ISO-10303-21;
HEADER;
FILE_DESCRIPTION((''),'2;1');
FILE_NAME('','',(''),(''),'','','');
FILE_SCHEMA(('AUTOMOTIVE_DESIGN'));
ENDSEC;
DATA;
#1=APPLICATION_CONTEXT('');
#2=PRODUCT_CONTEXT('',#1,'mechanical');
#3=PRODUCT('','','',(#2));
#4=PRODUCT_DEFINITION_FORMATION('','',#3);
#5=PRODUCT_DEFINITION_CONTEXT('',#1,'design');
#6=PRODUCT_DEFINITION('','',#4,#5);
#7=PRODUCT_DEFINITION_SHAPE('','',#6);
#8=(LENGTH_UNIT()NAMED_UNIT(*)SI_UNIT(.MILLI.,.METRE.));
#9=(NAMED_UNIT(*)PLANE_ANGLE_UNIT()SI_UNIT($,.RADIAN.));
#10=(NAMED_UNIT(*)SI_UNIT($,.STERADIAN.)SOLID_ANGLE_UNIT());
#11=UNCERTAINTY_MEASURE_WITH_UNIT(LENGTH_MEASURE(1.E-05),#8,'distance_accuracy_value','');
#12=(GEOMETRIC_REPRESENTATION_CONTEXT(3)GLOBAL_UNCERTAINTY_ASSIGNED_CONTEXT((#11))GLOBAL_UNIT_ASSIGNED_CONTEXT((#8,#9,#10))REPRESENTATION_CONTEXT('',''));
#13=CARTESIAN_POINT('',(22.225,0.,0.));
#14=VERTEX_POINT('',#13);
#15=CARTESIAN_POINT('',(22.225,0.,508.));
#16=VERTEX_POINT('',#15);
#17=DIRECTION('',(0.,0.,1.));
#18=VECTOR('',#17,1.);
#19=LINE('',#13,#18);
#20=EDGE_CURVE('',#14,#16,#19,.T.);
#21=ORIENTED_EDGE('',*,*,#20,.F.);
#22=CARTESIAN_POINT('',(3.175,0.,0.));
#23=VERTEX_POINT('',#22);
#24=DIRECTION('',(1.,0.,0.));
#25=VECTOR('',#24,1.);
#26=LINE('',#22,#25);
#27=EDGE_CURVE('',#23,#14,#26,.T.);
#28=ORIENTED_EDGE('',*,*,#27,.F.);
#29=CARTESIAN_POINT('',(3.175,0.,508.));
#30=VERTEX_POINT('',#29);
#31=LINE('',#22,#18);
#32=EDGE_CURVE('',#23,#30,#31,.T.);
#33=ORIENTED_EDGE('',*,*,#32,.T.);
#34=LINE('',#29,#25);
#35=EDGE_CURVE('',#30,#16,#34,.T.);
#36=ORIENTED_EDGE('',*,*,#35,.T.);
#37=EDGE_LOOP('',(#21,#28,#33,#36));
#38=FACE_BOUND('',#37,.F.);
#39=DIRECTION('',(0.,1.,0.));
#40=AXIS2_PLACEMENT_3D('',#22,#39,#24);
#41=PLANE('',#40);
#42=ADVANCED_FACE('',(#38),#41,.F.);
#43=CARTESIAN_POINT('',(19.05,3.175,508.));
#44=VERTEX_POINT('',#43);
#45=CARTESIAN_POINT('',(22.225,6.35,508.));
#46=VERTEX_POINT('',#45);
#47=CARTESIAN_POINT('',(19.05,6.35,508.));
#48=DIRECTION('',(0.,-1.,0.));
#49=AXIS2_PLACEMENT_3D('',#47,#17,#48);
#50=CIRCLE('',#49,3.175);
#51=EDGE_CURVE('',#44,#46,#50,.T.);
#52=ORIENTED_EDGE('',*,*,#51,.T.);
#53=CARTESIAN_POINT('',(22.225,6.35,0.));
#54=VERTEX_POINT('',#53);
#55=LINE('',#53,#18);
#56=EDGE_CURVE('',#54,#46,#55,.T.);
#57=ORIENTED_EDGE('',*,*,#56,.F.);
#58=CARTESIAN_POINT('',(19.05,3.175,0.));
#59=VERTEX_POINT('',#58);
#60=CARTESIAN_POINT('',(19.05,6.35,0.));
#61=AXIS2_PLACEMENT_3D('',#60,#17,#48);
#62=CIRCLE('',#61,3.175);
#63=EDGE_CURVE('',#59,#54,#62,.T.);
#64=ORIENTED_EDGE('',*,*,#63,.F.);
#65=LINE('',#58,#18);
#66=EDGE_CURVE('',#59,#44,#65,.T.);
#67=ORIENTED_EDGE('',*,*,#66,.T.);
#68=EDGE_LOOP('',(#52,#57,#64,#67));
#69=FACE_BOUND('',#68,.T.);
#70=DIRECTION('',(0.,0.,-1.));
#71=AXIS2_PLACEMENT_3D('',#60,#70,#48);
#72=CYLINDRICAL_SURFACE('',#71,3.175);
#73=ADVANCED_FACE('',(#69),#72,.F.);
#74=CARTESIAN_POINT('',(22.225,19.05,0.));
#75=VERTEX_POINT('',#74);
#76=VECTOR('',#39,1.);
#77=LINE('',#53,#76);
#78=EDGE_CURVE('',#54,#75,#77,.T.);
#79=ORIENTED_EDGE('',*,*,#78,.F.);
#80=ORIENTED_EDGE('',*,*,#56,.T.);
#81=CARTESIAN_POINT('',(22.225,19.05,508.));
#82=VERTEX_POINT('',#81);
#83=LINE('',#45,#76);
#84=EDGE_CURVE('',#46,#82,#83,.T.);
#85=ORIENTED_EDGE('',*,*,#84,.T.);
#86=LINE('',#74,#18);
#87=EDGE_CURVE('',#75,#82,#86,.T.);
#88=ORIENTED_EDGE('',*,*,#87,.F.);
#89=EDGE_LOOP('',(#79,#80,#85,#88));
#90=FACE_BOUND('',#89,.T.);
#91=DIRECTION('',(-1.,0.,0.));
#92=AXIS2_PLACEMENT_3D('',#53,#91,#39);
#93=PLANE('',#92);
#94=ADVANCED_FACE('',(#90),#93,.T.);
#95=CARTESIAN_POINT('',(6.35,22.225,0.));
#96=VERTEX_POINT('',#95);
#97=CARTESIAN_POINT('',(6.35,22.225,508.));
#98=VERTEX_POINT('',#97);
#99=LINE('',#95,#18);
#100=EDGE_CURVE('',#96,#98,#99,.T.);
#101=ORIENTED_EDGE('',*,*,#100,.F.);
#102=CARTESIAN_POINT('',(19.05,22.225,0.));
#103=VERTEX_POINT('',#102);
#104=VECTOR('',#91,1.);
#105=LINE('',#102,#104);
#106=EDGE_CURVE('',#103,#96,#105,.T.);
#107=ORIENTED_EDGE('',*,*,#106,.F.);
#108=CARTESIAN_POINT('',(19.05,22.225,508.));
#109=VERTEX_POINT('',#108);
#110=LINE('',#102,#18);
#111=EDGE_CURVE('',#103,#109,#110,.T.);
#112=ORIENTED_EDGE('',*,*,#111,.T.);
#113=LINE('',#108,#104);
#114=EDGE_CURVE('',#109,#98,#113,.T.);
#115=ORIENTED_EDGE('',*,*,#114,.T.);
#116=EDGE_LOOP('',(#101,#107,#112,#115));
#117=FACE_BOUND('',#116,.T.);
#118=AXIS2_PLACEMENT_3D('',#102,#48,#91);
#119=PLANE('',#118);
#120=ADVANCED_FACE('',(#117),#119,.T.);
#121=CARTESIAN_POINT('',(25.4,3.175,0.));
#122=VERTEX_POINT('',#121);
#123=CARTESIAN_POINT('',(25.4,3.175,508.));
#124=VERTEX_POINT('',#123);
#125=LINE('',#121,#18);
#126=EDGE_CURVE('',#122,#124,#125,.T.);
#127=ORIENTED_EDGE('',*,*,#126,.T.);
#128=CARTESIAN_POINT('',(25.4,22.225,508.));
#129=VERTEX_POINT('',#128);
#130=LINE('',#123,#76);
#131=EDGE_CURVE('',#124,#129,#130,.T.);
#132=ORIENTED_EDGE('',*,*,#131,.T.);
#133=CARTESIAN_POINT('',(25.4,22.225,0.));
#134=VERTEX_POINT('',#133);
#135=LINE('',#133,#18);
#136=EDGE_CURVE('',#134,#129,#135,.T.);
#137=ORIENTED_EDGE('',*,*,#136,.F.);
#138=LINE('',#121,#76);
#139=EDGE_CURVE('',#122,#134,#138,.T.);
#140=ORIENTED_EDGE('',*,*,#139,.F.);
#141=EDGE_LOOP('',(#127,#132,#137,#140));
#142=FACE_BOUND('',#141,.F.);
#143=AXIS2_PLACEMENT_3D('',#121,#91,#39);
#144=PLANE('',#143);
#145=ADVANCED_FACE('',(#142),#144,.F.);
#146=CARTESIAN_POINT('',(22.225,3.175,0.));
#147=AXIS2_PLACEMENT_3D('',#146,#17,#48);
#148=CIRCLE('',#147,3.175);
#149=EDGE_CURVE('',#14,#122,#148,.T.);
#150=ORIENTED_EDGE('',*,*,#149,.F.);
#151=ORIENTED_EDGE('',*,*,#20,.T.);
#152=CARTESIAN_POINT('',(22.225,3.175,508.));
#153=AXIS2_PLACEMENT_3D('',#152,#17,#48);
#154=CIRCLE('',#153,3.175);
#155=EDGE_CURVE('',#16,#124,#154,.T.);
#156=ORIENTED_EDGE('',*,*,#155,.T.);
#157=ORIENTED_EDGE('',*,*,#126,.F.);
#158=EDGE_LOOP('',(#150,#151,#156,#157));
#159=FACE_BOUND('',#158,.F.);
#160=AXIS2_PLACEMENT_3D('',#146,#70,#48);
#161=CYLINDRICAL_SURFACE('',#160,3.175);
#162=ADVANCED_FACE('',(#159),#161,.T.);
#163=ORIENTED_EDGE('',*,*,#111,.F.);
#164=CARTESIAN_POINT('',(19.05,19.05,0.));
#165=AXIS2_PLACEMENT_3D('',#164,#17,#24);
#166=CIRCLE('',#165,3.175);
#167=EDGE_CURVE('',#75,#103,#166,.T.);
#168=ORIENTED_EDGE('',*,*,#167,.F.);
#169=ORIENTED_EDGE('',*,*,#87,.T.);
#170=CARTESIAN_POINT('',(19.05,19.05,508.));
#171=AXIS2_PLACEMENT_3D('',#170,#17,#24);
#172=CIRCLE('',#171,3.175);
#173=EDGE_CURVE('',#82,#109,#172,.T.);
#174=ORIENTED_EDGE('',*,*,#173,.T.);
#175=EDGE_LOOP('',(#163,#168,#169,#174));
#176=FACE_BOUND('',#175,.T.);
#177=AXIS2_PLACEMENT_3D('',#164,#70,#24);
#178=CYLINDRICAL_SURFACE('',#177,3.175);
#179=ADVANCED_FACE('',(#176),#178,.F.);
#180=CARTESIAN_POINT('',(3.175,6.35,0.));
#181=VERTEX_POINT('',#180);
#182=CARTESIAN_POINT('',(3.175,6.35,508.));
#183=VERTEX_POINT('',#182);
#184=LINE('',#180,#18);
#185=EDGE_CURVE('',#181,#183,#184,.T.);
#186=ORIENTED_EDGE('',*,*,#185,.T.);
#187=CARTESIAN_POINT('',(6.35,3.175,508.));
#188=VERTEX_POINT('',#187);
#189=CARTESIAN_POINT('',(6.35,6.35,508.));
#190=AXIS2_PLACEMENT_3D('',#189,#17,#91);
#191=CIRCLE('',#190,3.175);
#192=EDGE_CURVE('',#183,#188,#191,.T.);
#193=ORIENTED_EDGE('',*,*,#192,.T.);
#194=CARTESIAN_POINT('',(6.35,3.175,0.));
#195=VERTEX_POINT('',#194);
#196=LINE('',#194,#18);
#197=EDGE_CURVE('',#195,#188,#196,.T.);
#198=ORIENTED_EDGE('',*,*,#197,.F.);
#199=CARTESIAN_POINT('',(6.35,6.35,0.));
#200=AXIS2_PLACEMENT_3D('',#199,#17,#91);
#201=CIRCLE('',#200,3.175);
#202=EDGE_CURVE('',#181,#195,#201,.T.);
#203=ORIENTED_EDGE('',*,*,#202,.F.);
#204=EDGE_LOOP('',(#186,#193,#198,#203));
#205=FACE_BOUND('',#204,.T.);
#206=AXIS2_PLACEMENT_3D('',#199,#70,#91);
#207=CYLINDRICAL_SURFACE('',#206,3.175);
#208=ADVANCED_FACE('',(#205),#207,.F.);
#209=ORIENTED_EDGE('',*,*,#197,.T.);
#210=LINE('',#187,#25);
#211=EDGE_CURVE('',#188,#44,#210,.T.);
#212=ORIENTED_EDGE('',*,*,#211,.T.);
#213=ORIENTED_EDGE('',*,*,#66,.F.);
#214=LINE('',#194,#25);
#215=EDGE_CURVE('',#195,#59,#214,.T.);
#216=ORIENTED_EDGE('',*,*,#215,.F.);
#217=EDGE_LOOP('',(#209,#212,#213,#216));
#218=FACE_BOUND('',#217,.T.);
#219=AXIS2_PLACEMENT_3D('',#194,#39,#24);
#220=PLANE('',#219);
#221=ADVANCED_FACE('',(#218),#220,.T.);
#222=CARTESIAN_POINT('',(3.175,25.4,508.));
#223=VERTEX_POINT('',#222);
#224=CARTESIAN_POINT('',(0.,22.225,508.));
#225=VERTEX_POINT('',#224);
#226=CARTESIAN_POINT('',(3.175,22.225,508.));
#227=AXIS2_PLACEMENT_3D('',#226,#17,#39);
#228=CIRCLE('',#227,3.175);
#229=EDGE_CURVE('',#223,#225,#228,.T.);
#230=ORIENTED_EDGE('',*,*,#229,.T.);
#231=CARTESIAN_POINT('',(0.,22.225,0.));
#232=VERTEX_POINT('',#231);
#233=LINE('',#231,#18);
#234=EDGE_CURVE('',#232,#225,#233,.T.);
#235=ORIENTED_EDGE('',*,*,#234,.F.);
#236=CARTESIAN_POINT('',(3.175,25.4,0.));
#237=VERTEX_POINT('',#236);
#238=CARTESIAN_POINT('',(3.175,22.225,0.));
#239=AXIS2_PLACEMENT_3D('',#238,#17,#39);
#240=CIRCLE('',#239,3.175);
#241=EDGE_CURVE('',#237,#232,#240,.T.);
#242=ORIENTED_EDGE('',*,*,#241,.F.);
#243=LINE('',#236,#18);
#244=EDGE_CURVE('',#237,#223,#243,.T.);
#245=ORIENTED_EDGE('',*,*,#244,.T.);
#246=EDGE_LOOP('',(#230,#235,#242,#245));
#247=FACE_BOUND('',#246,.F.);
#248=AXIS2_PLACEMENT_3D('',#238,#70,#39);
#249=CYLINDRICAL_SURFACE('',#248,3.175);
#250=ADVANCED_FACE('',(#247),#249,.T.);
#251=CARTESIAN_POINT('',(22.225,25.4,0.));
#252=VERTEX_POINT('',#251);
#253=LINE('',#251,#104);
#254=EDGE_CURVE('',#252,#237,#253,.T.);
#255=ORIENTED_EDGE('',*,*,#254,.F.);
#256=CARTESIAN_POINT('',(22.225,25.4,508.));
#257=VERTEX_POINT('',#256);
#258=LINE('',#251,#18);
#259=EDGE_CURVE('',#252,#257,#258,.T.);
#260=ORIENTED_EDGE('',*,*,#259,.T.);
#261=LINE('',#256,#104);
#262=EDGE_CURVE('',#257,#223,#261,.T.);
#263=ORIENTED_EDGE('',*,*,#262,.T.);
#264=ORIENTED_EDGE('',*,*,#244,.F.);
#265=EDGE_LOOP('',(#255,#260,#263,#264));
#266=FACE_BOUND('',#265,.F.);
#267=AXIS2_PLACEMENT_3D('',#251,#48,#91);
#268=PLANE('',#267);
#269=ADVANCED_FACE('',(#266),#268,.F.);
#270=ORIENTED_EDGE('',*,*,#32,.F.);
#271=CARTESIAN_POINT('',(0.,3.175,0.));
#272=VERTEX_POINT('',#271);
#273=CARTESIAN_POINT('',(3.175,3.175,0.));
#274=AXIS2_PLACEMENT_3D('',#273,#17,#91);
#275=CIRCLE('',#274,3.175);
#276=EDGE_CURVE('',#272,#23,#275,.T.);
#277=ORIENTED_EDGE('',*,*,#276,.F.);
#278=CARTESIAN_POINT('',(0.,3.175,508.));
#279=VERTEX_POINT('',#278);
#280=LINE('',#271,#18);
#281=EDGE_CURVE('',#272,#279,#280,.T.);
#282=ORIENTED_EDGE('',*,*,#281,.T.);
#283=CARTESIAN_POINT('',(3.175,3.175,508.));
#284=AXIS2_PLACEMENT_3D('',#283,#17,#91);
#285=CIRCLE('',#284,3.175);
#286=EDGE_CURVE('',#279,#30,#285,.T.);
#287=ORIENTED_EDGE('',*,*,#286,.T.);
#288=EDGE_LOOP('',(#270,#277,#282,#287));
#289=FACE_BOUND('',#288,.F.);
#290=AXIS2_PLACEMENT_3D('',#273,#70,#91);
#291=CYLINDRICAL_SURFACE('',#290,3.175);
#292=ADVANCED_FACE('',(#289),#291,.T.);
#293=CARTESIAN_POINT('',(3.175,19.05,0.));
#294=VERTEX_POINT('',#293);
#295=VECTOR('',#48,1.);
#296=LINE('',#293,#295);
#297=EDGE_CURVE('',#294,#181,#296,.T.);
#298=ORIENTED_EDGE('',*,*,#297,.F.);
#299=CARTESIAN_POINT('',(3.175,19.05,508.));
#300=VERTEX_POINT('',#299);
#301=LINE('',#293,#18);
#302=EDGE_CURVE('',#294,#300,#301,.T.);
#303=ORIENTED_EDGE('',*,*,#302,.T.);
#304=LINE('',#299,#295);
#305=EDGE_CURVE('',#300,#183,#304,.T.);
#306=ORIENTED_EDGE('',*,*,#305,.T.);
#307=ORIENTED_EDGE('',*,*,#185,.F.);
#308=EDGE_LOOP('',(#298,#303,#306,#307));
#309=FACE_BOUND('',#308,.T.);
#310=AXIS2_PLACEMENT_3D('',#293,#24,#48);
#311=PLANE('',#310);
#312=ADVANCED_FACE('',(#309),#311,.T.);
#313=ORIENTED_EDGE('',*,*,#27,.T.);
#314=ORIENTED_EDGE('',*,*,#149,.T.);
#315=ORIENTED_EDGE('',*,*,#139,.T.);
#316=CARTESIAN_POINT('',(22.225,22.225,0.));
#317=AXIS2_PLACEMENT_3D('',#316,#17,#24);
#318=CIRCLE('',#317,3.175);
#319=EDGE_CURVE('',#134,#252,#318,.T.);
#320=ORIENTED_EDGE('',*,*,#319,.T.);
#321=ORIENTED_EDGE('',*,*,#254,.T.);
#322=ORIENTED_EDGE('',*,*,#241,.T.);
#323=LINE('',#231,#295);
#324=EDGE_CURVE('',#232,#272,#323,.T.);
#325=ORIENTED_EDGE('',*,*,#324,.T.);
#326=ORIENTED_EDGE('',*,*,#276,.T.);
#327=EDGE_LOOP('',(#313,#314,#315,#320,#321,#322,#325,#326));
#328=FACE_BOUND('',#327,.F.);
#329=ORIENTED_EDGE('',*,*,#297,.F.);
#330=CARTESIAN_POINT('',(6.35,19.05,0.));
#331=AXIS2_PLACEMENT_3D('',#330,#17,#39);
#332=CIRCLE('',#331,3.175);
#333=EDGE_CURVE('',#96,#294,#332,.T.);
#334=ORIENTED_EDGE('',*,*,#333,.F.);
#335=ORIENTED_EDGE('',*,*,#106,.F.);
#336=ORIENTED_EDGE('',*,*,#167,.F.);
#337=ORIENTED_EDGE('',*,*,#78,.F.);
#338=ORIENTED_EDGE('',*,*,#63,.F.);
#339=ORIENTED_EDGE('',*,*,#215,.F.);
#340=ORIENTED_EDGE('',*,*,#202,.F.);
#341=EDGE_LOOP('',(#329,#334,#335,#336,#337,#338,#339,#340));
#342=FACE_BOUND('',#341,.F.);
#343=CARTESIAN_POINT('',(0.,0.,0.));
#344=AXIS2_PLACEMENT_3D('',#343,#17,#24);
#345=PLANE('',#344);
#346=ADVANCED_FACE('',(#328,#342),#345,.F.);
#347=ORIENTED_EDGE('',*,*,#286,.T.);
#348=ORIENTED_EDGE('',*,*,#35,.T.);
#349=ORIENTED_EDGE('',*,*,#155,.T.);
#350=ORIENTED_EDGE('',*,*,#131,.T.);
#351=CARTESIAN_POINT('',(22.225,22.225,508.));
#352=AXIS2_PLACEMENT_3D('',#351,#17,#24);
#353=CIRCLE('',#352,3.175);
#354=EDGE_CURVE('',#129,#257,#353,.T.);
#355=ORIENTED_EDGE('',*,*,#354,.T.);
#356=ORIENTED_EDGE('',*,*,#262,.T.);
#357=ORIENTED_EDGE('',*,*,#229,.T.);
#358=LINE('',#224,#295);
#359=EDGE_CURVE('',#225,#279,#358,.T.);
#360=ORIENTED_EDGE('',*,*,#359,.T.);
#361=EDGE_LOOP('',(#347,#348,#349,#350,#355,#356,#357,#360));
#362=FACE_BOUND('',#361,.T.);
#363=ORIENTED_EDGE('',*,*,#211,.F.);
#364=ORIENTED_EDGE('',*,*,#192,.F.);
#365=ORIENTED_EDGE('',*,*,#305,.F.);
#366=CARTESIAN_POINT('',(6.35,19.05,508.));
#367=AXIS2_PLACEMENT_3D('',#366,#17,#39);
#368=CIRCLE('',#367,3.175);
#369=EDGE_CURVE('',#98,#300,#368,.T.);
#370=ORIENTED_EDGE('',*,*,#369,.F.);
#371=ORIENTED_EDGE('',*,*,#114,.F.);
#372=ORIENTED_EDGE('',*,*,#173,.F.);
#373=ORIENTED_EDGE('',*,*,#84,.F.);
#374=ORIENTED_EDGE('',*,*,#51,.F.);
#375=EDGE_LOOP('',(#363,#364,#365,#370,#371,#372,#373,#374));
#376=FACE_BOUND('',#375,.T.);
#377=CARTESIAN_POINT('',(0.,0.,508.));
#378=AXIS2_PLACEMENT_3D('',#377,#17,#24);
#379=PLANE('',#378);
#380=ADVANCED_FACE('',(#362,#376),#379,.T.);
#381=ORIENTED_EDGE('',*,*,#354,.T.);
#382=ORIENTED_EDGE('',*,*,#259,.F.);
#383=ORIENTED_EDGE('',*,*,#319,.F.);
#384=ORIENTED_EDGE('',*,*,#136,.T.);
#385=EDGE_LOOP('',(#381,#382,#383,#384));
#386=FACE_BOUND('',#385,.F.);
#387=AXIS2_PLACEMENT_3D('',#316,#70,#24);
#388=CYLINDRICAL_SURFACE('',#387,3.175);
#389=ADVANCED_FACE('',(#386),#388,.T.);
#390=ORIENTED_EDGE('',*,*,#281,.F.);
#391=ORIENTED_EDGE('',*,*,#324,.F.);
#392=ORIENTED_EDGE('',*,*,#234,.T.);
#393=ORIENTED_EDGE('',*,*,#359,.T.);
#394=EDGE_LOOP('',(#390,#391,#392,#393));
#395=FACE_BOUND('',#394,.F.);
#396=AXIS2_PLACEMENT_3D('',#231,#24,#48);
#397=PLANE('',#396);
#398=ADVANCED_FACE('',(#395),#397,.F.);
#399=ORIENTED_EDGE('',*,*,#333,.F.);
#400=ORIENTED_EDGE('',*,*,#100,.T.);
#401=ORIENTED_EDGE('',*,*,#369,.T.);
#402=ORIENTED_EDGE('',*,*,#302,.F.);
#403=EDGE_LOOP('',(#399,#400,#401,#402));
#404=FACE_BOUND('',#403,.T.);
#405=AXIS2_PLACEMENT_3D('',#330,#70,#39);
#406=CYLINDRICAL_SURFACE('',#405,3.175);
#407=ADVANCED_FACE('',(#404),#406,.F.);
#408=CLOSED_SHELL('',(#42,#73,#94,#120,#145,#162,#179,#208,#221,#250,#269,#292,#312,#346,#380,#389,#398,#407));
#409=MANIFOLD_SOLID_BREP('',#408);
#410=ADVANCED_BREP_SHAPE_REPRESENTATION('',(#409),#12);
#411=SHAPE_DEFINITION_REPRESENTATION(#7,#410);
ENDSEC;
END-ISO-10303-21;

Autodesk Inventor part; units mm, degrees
ref_plane "YZ Plane" through (0, 0, 0) normal (1, 0, 0) x (0, 1, 0)
ref_plane "XZ Plane" through (0, 0, 0) normal (0, 1, 0) x (-1, 0, 0)
ref_plane "XY Plane" through (0, 0, 0) normal (0, 0, 1) x (1, 0, 0)
sketch "Sketch1" plane through (0, 0, 0) normal (0, 0, 1) x (1, 0, 0)
  line L0 (3.175, 0) -> (22.225, 0)
  line L1 (25.4, 3.175) -> (25.4, 22.225)
  line L2 (22.225, 25.4) -> (3.175, 25.4)
  line L3 (0, 22.225) -> (0, 3.175)
  arc A0 (3.175, 25.4) -> (0, 22.225) centre (3.175, 22.225) ccw
  arc A1 (25.4, 22.225) -> (22.225, 25.4) centre (22.225, 22.225) ccw
  arc A2 (22.225, 0) -> (25.4, 3.175) centre (22.225, 3.175) ccw
  arc A3 (0, 3.175) -> (3.175, 0) centre (3.175, 3.175) ccw
  line L4 (6.35, 3.175) -> (19.05, 3.175)
  line L5 (22.225, 6.35) -> (22.225, 19.05)
  line L6 (19.05, 22.225) -> (6.35, 22.225)
  line L7 (3.175, 19.05) -> (3.175, 6.35)
  arc A4 (6.35, 22.225) -> (3.175, 19.05) centre (6.35, 19.05) ccw
  arc A5 (19.05, 3.175) -> (22.225, 6.35) centre (19.05, 6.35) ccw
  arc A6 (22.225, 19.05) -> (19.05, 22.225) centre (19.05, 19.05) ccw
  arc A7 (3.175, 6.35) -> (6.35, 3.175) centre (6.35, 6.35) ccw
  point P0 (0, 0)
  point P1 (25.4, 25.4)
  point P2 (25.4, 0)
  point P3 (0, 25.4)
  dimension "d0" = 25.4
  dimension "d1" = 25.4
  dimension "d2" = 3.175
  dimension "d3" = 3.175
extrude "Extrusion1" add sketch "Sketch1" along normal blind 508
equation "\"d4\" = d4_1"
equation "\"d4_1\" = 508"
properties part number "2ndVert"
